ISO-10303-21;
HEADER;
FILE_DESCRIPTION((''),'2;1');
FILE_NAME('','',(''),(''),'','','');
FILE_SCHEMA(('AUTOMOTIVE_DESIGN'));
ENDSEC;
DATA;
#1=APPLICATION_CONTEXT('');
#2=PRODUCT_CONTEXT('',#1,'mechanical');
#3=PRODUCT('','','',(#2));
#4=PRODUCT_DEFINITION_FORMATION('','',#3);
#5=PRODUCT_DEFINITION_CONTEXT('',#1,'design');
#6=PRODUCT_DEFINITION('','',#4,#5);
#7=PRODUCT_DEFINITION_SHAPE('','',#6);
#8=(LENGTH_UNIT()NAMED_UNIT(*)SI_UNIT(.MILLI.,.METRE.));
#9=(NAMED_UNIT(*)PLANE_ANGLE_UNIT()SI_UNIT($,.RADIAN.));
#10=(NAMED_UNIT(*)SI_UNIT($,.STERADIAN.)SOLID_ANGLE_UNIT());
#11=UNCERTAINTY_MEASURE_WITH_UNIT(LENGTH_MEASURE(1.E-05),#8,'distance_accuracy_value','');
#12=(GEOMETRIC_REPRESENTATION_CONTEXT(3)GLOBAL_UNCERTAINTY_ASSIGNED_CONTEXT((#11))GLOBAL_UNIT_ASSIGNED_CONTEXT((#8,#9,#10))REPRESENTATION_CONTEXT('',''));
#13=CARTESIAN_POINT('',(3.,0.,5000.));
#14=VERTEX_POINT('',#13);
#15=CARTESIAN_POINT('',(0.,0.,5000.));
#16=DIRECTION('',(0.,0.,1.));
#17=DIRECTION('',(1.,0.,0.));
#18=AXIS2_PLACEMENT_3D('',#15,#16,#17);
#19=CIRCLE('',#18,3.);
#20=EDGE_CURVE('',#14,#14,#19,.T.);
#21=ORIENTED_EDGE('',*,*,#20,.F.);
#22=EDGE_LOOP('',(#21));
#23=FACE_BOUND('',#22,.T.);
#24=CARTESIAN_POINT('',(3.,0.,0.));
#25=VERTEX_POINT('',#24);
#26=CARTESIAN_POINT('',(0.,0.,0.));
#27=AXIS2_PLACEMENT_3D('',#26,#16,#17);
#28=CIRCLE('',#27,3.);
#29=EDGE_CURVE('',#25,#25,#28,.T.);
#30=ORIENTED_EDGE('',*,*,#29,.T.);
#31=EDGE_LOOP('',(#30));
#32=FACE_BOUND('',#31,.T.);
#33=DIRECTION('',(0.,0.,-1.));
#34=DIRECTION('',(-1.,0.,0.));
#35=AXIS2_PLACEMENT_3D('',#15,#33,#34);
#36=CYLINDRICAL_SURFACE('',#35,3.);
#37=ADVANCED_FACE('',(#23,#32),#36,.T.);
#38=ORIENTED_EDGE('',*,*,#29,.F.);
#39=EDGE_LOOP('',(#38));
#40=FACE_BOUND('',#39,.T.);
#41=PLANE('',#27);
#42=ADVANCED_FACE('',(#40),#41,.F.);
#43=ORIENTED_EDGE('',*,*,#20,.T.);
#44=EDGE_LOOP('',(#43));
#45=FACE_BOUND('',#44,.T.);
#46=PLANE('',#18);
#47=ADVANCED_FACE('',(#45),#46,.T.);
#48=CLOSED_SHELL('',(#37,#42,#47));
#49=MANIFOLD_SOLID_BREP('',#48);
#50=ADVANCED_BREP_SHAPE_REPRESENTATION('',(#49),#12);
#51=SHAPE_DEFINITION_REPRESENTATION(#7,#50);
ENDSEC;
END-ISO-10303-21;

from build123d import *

# Parameters (mm, degrees)
SKETCH_1_R      = 3
EXTRUDE_1_DEPTH = 5000


with BuildPart() as part:
    # 草图1 → 凸台-拉伸1 (new body)
    with BuildSketch(Plane.XY):
        Circle(SKETCH_1_R)
    extrude(amount=EXTRUDE_1_DEPTH)


solid = part.part
